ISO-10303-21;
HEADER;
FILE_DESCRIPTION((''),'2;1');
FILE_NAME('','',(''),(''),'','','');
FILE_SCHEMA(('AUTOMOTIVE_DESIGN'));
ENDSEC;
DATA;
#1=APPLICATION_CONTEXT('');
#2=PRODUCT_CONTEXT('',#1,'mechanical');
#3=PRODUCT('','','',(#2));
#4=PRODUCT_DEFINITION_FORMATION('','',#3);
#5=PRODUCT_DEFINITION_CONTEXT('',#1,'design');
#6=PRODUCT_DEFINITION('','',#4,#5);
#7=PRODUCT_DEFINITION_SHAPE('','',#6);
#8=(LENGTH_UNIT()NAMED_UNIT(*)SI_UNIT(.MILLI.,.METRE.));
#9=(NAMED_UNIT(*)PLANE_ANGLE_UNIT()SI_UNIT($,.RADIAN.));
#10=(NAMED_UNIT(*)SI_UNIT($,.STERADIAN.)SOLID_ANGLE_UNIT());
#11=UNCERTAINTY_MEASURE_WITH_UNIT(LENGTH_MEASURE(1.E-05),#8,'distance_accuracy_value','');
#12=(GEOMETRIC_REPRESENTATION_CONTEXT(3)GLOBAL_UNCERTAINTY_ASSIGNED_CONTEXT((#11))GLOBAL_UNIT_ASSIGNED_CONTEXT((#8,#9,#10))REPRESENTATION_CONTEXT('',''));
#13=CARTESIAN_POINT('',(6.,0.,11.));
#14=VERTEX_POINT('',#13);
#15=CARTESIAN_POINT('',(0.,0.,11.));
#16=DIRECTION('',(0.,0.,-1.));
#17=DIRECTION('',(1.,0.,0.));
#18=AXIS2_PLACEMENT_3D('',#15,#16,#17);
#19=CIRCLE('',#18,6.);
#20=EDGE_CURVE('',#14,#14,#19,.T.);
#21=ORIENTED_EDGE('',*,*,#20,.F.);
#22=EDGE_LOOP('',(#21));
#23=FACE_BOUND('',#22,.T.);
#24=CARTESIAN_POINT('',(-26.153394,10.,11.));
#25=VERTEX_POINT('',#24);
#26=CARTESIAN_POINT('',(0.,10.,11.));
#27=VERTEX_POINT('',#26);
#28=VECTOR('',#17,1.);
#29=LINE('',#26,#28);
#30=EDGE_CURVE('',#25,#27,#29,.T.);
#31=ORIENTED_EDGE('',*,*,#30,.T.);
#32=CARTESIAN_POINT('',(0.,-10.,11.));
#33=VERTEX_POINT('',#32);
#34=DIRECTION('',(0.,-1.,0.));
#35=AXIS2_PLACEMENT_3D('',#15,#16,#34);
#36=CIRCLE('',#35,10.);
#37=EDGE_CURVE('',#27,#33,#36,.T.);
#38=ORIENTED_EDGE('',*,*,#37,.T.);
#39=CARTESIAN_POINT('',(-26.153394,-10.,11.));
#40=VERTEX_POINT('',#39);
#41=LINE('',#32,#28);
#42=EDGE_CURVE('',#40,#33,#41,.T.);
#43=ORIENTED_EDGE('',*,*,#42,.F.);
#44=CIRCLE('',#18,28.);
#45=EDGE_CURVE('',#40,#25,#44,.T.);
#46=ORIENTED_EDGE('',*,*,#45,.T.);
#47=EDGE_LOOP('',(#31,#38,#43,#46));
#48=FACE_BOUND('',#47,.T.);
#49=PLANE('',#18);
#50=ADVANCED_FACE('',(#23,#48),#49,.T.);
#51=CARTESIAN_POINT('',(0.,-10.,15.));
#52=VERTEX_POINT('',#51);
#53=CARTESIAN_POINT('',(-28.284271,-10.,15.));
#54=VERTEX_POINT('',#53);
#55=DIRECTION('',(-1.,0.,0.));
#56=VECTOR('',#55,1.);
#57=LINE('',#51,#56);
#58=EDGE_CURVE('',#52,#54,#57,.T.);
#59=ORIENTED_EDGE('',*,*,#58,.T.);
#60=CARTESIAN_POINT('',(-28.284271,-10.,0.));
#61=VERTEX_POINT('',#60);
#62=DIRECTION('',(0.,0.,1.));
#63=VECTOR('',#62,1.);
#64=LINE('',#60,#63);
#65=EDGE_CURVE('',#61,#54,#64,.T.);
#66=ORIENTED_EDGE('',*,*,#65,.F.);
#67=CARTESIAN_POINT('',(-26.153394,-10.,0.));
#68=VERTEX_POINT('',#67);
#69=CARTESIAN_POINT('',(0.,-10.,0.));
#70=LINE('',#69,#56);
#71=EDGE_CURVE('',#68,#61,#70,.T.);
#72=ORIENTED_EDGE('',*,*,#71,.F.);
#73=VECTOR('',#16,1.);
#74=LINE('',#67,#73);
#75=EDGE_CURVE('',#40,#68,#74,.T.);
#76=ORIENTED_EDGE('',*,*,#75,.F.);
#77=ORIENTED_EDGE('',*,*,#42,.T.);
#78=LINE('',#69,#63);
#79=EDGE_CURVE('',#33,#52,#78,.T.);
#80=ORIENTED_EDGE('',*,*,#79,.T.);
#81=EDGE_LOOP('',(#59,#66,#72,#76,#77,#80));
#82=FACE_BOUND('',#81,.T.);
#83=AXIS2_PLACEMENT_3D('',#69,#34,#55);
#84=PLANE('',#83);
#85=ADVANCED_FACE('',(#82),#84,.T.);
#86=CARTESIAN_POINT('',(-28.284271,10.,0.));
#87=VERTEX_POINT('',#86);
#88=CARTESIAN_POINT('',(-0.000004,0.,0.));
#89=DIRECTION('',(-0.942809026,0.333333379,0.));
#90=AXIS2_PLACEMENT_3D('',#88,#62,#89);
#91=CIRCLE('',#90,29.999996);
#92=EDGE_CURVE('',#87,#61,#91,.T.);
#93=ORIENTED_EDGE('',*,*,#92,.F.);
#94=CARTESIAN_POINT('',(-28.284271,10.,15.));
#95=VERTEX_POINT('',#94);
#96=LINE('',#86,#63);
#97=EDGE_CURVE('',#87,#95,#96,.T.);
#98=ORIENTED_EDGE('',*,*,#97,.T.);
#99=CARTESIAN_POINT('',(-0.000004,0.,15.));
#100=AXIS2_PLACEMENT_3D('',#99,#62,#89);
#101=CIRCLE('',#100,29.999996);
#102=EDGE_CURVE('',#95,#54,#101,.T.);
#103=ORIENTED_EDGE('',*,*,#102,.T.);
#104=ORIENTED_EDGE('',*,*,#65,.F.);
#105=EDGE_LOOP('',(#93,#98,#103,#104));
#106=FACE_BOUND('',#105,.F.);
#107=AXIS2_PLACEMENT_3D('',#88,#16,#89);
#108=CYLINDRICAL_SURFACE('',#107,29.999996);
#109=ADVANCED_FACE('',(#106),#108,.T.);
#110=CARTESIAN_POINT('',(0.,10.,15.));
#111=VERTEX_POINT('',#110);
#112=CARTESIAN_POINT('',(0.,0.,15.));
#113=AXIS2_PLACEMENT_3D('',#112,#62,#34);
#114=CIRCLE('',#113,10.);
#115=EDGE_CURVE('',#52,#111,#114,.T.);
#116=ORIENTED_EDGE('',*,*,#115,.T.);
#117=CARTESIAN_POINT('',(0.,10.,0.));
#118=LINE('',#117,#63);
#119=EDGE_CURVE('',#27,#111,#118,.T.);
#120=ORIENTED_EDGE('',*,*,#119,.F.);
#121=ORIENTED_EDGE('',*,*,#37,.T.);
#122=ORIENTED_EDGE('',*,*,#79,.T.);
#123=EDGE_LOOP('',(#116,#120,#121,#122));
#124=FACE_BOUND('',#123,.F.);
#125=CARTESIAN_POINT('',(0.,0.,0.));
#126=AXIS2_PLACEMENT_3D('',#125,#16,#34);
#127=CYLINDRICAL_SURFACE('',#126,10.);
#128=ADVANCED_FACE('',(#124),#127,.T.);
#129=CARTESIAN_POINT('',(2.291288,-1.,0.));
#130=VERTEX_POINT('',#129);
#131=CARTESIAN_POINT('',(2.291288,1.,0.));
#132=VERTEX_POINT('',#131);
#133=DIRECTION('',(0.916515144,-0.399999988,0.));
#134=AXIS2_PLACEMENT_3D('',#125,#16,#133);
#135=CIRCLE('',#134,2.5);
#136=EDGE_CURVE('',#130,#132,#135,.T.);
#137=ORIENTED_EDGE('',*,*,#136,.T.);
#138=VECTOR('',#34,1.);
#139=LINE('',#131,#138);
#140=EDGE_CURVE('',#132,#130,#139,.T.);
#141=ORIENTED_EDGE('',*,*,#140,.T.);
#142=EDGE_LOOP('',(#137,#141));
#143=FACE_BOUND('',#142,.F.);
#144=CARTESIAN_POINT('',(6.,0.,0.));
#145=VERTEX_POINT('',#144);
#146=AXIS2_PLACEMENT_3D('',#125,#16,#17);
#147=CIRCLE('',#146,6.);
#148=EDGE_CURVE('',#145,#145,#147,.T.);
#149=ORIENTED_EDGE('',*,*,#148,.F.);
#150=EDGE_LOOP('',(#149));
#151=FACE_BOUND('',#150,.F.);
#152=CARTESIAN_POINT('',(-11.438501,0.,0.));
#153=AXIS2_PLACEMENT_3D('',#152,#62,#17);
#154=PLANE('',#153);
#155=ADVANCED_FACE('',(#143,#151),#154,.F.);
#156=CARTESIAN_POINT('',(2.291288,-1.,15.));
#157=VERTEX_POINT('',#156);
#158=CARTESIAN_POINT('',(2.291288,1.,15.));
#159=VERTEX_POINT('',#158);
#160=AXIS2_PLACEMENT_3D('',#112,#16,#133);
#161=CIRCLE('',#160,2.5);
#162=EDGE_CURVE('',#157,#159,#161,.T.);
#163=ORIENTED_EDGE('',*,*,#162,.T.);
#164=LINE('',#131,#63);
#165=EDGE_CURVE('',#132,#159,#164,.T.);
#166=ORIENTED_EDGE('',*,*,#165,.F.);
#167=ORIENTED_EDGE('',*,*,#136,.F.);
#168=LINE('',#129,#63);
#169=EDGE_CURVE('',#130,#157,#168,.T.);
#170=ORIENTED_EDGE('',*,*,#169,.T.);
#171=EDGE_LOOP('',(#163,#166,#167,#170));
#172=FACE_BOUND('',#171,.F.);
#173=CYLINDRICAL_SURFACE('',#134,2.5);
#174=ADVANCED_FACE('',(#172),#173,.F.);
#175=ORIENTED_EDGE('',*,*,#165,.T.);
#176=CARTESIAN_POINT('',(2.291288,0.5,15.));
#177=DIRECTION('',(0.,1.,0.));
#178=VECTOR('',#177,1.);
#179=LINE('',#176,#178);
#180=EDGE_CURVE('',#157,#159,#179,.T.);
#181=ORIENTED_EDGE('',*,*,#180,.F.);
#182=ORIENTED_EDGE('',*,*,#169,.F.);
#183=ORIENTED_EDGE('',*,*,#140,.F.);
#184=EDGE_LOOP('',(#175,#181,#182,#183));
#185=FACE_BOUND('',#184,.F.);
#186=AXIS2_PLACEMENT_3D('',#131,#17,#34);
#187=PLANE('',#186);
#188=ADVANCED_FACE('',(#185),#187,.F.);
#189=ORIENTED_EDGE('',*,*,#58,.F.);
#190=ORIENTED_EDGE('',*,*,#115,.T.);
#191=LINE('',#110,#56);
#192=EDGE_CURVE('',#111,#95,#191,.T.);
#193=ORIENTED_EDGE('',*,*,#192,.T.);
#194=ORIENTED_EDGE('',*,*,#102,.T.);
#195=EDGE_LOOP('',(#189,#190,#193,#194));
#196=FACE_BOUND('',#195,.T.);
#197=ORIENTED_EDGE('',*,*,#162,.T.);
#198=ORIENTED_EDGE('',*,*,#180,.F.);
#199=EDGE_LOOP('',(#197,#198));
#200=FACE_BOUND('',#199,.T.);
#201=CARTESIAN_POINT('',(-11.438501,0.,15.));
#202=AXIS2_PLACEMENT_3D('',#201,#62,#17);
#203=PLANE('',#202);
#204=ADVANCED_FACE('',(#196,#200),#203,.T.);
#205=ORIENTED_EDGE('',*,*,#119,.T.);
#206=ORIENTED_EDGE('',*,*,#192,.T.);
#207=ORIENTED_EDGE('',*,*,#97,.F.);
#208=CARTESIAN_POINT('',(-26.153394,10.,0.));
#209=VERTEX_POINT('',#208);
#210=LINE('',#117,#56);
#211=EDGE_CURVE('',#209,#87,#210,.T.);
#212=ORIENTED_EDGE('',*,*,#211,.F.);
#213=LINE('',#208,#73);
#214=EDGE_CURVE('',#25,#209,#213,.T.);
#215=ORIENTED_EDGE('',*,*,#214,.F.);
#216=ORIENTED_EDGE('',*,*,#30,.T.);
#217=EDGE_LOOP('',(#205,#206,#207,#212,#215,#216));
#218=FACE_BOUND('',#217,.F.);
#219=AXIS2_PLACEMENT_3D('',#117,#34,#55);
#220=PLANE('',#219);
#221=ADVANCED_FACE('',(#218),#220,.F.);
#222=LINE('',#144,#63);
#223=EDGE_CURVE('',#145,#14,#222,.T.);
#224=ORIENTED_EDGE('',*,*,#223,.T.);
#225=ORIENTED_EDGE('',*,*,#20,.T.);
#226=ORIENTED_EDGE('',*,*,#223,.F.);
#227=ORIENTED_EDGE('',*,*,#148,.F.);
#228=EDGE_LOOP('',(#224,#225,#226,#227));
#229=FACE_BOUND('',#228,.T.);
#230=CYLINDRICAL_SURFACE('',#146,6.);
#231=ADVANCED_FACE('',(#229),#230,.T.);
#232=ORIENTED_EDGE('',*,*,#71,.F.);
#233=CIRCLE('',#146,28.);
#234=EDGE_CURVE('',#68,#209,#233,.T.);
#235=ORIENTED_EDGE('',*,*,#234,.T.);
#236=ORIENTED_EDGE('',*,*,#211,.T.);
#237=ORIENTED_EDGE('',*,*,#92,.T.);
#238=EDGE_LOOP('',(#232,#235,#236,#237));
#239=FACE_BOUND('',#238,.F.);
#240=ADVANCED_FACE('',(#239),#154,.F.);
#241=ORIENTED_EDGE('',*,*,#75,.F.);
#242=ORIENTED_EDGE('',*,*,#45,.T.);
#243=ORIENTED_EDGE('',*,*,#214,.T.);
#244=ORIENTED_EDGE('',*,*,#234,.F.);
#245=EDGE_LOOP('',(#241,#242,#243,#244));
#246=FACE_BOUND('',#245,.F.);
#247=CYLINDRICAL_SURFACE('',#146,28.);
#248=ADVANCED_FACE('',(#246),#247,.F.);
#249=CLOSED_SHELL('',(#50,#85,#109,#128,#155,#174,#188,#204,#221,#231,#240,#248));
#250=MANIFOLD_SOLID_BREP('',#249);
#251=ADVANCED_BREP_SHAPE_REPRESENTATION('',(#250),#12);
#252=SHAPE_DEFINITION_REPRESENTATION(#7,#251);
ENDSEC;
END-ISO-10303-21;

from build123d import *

# Parameters (mm, degrees)
PAD001_DEPTH    = 15
SKETCH004_R     = 28
SKETCH004_R_2   = 6
POCKET001_DEPTH = 11
POCKET002_DEPTH = 15.001


with BuildPart() as part:
    # Sketch003 → Pad001 (new body)
    with BuildSketch(Plane.XY):
        with BuildLine():
            ThreePointArc((0, -10), (10, 0), (0, 10))
            Line((0, 10), (-28.284271, 10))
            ThreePointArc((-28.284271, 10), (-30, 0), (-28.284271, -10))
            Line((0, -10), (-28.284271, -10))
        make_face()
    extrude(amount=PAD001_DEPTH)

    # Sketch004 (on Face5 of Pad001) → Pocket001 (cut)
    with BuildSketch(Plane(origin=(0, 0, 0), x_dir=(1, 0, 0), z_dir=(0, 0, -1))):
        Circle(SKETCH004_R)
        Circle(SKETCH004_R_2, mode=Mode.SUBTRACT)
    extrude(amount=-POCKET001_DEPTH, mode=Mode.SUBTRACT)

    # Sketch005 (on Face10 of Pocket001) → Pocket002 (cut, through all)
    with BuildSketch(Plane(origin=(0, 0, 0), x_dir=(1, 0, 0), z_dir=(0, 0, -1))):
        with BuildLine():
            ThreePointArc((2.291288, 1), (-2.5, 0), (2.291288, -1))
            Line((2.291288, -1), (2.291288, 1))
        make_face()
    extrude(amount=-POCKET002_DEPTH, mode=Mode.SUBTRACT)


solid = part.part
